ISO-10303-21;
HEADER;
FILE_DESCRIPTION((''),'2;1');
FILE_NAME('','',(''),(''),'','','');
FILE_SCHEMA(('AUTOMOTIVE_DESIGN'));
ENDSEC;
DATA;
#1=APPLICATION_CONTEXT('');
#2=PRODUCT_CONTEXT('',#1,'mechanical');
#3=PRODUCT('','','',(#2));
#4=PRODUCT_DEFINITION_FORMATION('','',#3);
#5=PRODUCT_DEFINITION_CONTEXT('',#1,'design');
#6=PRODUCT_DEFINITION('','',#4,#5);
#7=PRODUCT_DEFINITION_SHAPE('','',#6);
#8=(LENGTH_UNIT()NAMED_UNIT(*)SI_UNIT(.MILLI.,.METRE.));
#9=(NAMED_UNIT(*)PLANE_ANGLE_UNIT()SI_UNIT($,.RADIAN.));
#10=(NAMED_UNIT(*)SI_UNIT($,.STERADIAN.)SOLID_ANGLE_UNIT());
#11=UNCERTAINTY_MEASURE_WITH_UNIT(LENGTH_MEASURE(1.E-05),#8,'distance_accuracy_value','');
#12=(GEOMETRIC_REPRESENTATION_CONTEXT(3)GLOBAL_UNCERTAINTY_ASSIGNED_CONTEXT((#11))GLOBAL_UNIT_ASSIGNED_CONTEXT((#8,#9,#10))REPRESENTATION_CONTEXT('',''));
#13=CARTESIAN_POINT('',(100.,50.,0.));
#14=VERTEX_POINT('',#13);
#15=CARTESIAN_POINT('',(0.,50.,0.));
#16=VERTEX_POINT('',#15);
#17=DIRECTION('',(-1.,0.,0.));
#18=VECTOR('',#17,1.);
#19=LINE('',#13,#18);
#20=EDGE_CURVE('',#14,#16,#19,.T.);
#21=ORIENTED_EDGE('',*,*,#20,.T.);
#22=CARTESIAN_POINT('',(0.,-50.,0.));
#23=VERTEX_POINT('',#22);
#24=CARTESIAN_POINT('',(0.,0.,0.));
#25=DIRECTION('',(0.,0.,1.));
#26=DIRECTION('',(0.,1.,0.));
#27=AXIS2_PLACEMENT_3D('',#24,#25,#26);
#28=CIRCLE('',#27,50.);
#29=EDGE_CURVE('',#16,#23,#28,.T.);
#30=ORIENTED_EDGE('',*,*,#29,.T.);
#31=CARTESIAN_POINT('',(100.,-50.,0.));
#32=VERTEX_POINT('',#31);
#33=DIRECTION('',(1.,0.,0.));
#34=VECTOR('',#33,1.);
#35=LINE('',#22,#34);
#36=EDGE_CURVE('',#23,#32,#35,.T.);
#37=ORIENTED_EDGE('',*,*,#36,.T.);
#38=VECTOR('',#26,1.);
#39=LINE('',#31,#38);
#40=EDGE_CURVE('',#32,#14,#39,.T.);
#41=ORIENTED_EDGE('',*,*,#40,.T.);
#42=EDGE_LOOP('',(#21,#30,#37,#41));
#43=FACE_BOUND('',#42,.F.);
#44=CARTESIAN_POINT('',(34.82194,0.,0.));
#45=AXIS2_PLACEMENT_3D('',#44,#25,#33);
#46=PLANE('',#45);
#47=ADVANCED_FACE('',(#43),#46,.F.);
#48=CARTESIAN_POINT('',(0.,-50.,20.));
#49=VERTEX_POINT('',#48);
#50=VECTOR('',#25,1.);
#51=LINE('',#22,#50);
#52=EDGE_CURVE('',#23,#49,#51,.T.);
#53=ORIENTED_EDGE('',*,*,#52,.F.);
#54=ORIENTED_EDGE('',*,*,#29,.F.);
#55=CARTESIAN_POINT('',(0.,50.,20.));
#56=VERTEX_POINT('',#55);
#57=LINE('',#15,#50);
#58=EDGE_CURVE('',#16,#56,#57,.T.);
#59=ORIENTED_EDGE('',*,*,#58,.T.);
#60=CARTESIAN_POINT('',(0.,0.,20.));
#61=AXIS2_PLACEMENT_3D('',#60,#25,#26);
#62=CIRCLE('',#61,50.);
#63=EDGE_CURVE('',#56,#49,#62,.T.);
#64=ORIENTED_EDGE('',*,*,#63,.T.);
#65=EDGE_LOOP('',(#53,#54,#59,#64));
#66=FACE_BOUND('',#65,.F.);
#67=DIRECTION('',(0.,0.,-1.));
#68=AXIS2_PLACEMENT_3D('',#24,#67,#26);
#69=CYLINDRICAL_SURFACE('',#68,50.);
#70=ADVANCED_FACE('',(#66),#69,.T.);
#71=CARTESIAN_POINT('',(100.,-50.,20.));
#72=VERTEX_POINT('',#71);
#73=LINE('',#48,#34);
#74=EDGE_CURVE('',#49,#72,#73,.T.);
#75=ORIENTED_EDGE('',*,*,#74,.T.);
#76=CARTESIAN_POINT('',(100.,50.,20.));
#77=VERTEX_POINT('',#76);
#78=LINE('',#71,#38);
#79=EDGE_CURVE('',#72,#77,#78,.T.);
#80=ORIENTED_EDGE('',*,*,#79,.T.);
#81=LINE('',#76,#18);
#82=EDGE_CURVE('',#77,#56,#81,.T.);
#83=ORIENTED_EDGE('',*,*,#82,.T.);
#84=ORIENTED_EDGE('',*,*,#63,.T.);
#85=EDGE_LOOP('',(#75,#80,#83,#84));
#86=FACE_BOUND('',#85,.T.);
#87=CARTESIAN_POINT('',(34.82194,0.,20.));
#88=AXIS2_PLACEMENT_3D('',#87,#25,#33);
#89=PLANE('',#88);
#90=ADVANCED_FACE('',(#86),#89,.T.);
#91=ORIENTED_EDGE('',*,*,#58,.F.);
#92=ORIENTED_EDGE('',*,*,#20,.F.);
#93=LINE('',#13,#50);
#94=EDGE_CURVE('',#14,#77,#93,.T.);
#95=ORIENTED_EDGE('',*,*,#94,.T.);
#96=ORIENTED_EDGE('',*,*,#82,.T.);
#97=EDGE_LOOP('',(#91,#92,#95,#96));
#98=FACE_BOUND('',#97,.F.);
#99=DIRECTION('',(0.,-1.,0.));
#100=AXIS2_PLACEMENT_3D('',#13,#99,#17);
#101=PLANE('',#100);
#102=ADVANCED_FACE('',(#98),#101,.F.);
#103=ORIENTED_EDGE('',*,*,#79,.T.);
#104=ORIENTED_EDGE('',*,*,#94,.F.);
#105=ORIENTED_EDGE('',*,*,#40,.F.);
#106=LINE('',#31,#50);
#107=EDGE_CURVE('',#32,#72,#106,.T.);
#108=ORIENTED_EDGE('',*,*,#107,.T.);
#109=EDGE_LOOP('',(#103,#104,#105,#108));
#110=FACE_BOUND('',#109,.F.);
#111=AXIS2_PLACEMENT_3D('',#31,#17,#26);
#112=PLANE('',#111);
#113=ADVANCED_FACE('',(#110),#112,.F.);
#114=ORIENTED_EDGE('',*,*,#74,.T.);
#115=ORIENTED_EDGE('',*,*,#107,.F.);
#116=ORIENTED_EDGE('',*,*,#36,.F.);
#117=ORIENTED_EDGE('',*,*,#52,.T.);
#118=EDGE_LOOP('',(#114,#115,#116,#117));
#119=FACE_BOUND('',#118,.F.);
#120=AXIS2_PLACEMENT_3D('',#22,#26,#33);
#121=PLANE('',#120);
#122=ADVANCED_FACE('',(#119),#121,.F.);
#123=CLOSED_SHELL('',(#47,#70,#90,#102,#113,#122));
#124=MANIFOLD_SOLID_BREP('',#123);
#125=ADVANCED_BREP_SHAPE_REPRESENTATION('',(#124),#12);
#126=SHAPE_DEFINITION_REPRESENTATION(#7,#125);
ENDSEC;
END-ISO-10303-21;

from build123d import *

# Parameters (mm, degrees)
F1_DEPTH = 20


with BuildPart() as f1:
    # F0 (on Top) → F1 (new body)
    with BuildSketch(Plane.XY):
        with BuildLine():
            Line((100, 50), (0, 50))
            ThreePointArc((0, 50), (-50, 0), (0, -50))
            Line((0, -50), (100, -50))
            Line((100, -50), (100, 0))
            Line((100, 0), (100, 50))
        make_face()
    extrude(amount=F1_DEPTH)


solid = f1.part
